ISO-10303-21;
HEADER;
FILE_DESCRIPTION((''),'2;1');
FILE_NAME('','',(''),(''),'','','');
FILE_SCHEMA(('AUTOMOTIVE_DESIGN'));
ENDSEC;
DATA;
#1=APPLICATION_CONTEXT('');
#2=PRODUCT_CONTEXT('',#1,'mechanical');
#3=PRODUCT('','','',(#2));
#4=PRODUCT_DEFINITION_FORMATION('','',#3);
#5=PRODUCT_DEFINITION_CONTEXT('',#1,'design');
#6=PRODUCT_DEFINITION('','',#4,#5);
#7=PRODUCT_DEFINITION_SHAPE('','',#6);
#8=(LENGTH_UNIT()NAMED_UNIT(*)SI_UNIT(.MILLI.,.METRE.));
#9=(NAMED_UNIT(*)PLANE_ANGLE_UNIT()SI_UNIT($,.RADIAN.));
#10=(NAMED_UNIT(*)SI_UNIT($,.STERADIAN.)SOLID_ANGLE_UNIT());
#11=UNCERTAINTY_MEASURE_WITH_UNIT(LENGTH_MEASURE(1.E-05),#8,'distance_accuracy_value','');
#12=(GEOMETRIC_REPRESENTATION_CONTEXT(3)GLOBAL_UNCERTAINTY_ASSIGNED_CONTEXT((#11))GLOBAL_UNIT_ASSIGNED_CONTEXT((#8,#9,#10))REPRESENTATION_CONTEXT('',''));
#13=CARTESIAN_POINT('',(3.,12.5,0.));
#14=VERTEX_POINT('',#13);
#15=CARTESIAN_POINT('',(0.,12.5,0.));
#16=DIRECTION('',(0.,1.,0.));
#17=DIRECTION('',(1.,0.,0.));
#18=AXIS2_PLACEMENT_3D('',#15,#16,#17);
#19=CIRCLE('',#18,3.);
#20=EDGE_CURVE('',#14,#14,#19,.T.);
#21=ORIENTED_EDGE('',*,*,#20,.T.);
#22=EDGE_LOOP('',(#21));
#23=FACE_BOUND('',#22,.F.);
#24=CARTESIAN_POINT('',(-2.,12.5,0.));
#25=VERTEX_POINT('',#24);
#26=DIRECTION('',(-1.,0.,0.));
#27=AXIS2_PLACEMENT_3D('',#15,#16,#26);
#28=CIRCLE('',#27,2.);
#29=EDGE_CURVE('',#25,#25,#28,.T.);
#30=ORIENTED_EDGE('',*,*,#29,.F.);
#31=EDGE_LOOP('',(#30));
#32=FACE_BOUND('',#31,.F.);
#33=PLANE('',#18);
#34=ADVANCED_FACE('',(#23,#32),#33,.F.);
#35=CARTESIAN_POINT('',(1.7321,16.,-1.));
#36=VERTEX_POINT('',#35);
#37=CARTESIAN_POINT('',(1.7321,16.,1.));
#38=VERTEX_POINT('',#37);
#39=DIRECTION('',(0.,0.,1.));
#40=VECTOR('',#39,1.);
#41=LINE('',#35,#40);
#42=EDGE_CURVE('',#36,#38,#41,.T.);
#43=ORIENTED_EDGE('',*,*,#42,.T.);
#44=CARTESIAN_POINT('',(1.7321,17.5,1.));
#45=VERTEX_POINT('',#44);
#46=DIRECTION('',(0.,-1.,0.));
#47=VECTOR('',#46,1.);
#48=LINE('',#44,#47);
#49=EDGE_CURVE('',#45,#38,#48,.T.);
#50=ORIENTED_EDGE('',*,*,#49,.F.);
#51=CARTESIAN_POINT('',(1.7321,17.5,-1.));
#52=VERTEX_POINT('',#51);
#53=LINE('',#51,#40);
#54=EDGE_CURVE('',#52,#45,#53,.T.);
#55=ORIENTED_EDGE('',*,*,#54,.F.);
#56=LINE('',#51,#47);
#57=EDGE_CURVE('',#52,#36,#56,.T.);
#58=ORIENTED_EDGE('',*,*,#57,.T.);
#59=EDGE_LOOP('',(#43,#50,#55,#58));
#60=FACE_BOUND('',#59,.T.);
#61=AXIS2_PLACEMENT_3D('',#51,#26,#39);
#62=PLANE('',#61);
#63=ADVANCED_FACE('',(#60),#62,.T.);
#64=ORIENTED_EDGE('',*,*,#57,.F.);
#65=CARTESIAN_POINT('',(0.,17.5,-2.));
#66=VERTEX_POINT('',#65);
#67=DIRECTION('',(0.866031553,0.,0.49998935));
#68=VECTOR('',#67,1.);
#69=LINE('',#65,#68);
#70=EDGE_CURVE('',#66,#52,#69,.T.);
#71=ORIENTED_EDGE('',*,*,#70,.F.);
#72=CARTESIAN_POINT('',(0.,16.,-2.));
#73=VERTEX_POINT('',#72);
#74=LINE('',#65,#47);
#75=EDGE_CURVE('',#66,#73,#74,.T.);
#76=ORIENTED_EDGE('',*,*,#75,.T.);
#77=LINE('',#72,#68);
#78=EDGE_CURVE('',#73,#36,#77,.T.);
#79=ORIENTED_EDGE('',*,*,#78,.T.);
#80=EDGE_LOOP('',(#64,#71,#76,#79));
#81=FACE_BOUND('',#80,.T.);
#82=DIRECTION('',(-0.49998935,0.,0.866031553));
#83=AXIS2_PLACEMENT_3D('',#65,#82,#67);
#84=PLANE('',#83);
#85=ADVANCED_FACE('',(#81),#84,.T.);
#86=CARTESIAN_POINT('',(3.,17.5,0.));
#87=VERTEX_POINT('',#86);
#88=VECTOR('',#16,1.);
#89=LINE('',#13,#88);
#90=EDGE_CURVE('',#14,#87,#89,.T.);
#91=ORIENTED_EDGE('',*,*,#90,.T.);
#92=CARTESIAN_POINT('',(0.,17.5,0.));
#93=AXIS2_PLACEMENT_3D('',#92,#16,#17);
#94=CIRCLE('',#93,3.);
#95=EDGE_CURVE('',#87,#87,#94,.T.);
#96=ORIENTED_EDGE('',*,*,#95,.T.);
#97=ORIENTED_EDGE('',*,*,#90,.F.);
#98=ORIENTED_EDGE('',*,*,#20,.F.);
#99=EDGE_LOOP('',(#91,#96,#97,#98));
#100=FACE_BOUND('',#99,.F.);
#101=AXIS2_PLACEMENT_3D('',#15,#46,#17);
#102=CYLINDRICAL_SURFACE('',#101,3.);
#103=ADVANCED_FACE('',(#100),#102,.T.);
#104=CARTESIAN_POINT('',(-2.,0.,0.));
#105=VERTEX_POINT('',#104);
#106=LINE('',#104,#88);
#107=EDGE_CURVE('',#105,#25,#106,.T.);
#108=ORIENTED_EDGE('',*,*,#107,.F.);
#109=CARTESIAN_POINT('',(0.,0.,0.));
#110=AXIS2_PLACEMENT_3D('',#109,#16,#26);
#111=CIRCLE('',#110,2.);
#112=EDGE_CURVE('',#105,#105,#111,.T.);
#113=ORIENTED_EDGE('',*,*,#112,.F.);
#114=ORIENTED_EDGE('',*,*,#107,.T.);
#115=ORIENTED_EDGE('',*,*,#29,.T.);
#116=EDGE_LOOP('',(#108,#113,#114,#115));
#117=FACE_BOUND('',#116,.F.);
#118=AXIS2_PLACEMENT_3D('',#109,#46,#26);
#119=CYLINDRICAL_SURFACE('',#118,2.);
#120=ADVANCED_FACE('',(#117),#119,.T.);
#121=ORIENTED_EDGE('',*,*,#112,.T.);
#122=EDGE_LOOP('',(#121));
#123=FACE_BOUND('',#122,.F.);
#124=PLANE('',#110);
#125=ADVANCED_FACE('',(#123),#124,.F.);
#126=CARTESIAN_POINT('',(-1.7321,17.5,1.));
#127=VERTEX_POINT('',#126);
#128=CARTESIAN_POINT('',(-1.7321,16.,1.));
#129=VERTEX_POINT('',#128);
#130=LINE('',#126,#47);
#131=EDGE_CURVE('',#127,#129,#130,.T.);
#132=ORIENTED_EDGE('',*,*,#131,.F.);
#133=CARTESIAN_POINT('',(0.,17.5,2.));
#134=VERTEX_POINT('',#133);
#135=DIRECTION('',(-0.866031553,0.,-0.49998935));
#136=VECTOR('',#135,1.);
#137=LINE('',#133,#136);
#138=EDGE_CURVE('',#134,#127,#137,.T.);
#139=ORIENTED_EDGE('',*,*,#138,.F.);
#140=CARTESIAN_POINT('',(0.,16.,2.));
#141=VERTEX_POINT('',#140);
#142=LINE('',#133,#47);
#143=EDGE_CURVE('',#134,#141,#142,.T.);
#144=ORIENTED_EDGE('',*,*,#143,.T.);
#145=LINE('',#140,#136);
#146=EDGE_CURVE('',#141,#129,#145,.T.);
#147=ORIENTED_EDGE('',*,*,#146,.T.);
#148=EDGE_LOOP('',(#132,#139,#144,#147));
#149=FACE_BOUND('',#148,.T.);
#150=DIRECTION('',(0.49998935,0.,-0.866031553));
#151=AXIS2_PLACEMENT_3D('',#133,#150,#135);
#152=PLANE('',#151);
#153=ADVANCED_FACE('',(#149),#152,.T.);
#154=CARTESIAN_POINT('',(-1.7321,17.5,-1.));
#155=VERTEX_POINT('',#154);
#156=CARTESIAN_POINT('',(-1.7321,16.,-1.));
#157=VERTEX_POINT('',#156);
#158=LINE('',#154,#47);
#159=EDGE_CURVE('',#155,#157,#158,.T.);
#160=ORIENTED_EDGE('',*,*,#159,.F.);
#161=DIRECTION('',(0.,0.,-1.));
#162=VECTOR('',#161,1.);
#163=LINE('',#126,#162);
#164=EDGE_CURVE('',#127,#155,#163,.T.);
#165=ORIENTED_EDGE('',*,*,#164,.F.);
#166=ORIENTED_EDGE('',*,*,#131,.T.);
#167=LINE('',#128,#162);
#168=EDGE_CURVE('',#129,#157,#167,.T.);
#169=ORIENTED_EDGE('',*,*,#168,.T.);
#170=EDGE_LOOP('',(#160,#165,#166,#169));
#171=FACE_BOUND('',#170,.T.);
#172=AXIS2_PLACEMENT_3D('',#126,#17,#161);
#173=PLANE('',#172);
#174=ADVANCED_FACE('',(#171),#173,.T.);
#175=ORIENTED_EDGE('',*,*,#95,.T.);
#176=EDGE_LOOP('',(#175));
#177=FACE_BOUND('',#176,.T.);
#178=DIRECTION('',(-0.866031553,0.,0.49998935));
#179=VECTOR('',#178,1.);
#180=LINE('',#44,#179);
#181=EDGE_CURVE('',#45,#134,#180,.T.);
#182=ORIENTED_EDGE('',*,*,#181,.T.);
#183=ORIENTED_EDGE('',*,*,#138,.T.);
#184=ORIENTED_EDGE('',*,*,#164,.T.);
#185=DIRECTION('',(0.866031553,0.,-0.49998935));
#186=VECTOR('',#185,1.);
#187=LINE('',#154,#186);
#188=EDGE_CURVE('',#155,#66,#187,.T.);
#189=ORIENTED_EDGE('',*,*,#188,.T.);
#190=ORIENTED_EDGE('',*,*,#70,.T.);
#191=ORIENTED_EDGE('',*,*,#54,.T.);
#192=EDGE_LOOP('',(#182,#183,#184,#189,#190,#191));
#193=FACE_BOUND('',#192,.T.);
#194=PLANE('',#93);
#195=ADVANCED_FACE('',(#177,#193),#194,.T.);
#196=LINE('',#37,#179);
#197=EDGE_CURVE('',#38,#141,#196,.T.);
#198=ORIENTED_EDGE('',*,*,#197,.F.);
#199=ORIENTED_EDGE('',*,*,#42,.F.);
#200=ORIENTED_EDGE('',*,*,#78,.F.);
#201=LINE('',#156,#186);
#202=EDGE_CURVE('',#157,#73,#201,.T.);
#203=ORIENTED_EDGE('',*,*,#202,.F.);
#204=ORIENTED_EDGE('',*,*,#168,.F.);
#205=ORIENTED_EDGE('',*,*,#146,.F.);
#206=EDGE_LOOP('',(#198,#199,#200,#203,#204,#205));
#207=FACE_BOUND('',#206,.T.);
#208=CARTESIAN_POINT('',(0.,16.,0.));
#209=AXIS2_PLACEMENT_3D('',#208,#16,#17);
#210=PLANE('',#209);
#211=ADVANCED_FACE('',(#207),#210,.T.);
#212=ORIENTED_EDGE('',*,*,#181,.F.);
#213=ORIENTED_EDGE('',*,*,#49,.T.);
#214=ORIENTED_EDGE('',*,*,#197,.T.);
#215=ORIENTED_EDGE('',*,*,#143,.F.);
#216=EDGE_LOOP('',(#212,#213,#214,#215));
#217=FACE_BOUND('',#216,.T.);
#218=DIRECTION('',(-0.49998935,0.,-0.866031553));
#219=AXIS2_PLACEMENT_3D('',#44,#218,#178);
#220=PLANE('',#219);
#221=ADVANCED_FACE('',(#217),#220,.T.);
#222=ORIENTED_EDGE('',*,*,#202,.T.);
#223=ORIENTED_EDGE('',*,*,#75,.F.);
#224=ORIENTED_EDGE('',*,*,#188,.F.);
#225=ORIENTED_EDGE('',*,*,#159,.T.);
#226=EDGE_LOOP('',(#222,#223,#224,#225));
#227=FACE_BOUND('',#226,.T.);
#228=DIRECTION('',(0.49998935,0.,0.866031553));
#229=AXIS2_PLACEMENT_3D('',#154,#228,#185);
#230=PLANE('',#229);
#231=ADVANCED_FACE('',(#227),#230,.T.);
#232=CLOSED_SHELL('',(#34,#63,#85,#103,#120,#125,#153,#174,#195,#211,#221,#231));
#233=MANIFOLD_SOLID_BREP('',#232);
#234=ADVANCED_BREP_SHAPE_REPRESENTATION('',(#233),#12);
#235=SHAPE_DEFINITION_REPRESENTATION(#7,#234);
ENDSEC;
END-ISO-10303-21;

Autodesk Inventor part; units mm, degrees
ref_plane "YZ Plane" through (0, 0, 0) normal (1, 0, 0) x (0, 1, 0)
ref_plane "XZ Plane" through (0, 0, 0) normal (0, 1, 0) x (-1, 0, 0)
ref_plane "XY Plane" through (0, 0, 0) normal (0, 0, 1) x (1, 0, 0)
sketch "Sketch1" plane through (0, 0, 0) normal (0, 1, 0) x (-1, 0, 0)
  circle A0 centre (0, 0) radius 2
  dimension "d0" = 4
extrude "Extrusion1" add sketch "Sketch1" along normal blind 12.5
sketch "Sketch2" plane through (0, 12.5, 0) normal (0, 1, 0) x (1, 0, 0)
  circle A0 centre (0, 0) radius 3
  dimension "d3" = 6
extrude "Extrusion2" add sketch "Sketch2" along normal blind 5
sketch "Sketch3" plane through (0, 17.5, 0) normal (0, 1, 0) x (1, 0, 0)
  circle A0 centre (0, 0) radius 2 projected
  line L0 (0, 2) -> (1.7321, 1)
  line L1 (1.7321, 1) -> (1.7321, -1)
  line L2 (1.7321, -1) -> (0, -2)
  line L3 (0, -2) -> (-1.7321, -1)
  line L4 (-1.7321, -1) -> (-1.7321, 1)
  line L5 (-1.7321, 1) -> (0, 2)
extrude "Extrusion3" cut sketch "Sketch3" against normal blind 1.5 contours L1 L2 L3 L4 L5 L0
thread "Thread1" size "M4x0.5" class "6g" standard "ANSI Metric M Profile" length 20
properties part number "4mm_0.5_Screw"
